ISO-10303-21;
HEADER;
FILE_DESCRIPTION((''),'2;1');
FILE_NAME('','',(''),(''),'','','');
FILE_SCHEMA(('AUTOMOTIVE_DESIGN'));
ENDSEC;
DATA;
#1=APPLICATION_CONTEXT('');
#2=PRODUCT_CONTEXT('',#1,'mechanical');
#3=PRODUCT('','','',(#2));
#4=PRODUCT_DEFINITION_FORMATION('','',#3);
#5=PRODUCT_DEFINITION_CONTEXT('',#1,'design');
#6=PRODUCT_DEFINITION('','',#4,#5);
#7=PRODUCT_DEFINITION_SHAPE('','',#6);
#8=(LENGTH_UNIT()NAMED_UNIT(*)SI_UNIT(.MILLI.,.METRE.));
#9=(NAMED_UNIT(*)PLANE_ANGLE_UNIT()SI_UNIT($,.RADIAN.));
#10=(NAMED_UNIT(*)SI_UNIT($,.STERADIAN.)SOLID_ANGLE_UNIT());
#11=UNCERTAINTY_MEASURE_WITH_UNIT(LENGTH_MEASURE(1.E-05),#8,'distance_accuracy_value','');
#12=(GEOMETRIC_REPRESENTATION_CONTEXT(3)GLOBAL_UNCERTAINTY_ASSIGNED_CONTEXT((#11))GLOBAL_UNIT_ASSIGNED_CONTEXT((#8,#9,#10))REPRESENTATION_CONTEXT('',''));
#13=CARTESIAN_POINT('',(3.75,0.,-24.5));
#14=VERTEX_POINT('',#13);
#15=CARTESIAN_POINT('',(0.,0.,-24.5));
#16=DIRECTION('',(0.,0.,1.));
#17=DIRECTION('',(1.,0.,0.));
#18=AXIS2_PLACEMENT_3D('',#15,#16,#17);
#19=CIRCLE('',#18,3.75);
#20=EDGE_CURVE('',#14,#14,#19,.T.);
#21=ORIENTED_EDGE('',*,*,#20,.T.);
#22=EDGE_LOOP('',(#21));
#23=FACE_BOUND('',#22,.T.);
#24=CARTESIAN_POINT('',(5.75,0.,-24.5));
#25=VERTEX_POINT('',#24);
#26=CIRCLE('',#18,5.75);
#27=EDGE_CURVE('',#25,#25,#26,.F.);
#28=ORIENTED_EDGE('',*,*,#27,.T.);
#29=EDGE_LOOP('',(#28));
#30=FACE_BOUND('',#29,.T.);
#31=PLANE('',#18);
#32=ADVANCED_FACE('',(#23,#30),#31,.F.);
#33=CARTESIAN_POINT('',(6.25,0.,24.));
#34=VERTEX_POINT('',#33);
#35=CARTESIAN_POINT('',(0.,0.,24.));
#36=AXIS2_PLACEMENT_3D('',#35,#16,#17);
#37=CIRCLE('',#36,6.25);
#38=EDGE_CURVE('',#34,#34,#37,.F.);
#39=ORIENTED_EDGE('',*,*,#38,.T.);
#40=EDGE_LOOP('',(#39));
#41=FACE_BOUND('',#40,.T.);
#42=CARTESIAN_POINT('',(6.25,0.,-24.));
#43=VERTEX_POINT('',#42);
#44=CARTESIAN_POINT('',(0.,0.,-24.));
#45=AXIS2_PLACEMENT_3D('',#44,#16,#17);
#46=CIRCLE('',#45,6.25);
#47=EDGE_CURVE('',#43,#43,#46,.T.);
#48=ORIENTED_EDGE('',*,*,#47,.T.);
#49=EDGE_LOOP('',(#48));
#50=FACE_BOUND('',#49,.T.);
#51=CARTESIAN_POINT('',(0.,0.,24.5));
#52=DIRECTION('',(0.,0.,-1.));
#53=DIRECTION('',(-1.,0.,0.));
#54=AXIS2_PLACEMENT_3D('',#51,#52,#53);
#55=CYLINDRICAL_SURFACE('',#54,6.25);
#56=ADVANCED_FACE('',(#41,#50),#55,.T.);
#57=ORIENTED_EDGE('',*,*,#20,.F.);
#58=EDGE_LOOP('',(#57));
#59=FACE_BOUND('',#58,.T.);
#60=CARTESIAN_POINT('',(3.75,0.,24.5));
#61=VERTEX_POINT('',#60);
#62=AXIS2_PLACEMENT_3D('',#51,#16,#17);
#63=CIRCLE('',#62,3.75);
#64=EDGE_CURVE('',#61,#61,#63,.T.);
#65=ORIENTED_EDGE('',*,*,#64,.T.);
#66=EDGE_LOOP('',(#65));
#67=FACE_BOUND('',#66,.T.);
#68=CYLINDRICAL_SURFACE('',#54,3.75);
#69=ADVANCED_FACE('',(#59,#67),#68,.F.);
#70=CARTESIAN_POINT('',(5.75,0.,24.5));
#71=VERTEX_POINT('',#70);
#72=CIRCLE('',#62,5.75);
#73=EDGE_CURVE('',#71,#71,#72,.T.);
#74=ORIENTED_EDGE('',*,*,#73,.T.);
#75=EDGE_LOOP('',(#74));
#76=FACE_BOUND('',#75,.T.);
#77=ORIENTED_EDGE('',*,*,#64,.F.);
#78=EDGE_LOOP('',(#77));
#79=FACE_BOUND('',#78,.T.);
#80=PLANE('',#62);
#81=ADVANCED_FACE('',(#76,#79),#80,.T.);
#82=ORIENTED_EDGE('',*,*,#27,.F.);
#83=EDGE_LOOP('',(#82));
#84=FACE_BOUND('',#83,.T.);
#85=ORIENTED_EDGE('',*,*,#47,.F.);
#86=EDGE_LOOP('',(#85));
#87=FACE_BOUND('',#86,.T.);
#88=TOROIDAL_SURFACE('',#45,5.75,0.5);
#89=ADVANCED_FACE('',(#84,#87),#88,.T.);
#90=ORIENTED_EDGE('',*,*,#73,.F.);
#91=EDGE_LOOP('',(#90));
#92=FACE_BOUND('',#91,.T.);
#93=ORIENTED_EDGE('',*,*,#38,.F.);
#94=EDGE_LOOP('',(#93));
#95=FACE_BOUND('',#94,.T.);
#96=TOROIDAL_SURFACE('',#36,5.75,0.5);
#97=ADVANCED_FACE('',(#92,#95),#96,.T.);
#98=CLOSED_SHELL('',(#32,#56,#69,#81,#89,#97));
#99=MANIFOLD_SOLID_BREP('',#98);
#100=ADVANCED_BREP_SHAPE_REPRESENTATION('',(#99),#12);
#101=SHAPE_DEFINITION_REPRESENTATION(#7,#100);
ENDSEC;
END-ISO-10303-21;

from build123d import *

# Parameters (mm, degrees)
SKETCH1_R           = 6.25
SKETCH1_R_2         = 3.75
EXTRUDE_THIN2_DEPTH = 24.5
FILLET4_R           = 0.5


with BuildPart() as part:
    # Sketch1 → Extrude-Thin2 (new body, symmetric)
    with BuildSketch(Plane.XY):
        Circle(SKETCH1_R)
        Circle(SKETCH1_R_2, mode=Mode.SUBTRACT)
    extrude(amount=EXTRUDE_THIN2_DEPTH, both=True)

    # Fillet4
    fillet4_edges = [part.edges().sort_by_distance(p)[0] for p in [
        (-6.25, 0, -24.5),
        (-6.25, 0, 24.5),
    ]]
    fillet(fillet4_edges, radius=FILLET4_R)


solid = part.part
